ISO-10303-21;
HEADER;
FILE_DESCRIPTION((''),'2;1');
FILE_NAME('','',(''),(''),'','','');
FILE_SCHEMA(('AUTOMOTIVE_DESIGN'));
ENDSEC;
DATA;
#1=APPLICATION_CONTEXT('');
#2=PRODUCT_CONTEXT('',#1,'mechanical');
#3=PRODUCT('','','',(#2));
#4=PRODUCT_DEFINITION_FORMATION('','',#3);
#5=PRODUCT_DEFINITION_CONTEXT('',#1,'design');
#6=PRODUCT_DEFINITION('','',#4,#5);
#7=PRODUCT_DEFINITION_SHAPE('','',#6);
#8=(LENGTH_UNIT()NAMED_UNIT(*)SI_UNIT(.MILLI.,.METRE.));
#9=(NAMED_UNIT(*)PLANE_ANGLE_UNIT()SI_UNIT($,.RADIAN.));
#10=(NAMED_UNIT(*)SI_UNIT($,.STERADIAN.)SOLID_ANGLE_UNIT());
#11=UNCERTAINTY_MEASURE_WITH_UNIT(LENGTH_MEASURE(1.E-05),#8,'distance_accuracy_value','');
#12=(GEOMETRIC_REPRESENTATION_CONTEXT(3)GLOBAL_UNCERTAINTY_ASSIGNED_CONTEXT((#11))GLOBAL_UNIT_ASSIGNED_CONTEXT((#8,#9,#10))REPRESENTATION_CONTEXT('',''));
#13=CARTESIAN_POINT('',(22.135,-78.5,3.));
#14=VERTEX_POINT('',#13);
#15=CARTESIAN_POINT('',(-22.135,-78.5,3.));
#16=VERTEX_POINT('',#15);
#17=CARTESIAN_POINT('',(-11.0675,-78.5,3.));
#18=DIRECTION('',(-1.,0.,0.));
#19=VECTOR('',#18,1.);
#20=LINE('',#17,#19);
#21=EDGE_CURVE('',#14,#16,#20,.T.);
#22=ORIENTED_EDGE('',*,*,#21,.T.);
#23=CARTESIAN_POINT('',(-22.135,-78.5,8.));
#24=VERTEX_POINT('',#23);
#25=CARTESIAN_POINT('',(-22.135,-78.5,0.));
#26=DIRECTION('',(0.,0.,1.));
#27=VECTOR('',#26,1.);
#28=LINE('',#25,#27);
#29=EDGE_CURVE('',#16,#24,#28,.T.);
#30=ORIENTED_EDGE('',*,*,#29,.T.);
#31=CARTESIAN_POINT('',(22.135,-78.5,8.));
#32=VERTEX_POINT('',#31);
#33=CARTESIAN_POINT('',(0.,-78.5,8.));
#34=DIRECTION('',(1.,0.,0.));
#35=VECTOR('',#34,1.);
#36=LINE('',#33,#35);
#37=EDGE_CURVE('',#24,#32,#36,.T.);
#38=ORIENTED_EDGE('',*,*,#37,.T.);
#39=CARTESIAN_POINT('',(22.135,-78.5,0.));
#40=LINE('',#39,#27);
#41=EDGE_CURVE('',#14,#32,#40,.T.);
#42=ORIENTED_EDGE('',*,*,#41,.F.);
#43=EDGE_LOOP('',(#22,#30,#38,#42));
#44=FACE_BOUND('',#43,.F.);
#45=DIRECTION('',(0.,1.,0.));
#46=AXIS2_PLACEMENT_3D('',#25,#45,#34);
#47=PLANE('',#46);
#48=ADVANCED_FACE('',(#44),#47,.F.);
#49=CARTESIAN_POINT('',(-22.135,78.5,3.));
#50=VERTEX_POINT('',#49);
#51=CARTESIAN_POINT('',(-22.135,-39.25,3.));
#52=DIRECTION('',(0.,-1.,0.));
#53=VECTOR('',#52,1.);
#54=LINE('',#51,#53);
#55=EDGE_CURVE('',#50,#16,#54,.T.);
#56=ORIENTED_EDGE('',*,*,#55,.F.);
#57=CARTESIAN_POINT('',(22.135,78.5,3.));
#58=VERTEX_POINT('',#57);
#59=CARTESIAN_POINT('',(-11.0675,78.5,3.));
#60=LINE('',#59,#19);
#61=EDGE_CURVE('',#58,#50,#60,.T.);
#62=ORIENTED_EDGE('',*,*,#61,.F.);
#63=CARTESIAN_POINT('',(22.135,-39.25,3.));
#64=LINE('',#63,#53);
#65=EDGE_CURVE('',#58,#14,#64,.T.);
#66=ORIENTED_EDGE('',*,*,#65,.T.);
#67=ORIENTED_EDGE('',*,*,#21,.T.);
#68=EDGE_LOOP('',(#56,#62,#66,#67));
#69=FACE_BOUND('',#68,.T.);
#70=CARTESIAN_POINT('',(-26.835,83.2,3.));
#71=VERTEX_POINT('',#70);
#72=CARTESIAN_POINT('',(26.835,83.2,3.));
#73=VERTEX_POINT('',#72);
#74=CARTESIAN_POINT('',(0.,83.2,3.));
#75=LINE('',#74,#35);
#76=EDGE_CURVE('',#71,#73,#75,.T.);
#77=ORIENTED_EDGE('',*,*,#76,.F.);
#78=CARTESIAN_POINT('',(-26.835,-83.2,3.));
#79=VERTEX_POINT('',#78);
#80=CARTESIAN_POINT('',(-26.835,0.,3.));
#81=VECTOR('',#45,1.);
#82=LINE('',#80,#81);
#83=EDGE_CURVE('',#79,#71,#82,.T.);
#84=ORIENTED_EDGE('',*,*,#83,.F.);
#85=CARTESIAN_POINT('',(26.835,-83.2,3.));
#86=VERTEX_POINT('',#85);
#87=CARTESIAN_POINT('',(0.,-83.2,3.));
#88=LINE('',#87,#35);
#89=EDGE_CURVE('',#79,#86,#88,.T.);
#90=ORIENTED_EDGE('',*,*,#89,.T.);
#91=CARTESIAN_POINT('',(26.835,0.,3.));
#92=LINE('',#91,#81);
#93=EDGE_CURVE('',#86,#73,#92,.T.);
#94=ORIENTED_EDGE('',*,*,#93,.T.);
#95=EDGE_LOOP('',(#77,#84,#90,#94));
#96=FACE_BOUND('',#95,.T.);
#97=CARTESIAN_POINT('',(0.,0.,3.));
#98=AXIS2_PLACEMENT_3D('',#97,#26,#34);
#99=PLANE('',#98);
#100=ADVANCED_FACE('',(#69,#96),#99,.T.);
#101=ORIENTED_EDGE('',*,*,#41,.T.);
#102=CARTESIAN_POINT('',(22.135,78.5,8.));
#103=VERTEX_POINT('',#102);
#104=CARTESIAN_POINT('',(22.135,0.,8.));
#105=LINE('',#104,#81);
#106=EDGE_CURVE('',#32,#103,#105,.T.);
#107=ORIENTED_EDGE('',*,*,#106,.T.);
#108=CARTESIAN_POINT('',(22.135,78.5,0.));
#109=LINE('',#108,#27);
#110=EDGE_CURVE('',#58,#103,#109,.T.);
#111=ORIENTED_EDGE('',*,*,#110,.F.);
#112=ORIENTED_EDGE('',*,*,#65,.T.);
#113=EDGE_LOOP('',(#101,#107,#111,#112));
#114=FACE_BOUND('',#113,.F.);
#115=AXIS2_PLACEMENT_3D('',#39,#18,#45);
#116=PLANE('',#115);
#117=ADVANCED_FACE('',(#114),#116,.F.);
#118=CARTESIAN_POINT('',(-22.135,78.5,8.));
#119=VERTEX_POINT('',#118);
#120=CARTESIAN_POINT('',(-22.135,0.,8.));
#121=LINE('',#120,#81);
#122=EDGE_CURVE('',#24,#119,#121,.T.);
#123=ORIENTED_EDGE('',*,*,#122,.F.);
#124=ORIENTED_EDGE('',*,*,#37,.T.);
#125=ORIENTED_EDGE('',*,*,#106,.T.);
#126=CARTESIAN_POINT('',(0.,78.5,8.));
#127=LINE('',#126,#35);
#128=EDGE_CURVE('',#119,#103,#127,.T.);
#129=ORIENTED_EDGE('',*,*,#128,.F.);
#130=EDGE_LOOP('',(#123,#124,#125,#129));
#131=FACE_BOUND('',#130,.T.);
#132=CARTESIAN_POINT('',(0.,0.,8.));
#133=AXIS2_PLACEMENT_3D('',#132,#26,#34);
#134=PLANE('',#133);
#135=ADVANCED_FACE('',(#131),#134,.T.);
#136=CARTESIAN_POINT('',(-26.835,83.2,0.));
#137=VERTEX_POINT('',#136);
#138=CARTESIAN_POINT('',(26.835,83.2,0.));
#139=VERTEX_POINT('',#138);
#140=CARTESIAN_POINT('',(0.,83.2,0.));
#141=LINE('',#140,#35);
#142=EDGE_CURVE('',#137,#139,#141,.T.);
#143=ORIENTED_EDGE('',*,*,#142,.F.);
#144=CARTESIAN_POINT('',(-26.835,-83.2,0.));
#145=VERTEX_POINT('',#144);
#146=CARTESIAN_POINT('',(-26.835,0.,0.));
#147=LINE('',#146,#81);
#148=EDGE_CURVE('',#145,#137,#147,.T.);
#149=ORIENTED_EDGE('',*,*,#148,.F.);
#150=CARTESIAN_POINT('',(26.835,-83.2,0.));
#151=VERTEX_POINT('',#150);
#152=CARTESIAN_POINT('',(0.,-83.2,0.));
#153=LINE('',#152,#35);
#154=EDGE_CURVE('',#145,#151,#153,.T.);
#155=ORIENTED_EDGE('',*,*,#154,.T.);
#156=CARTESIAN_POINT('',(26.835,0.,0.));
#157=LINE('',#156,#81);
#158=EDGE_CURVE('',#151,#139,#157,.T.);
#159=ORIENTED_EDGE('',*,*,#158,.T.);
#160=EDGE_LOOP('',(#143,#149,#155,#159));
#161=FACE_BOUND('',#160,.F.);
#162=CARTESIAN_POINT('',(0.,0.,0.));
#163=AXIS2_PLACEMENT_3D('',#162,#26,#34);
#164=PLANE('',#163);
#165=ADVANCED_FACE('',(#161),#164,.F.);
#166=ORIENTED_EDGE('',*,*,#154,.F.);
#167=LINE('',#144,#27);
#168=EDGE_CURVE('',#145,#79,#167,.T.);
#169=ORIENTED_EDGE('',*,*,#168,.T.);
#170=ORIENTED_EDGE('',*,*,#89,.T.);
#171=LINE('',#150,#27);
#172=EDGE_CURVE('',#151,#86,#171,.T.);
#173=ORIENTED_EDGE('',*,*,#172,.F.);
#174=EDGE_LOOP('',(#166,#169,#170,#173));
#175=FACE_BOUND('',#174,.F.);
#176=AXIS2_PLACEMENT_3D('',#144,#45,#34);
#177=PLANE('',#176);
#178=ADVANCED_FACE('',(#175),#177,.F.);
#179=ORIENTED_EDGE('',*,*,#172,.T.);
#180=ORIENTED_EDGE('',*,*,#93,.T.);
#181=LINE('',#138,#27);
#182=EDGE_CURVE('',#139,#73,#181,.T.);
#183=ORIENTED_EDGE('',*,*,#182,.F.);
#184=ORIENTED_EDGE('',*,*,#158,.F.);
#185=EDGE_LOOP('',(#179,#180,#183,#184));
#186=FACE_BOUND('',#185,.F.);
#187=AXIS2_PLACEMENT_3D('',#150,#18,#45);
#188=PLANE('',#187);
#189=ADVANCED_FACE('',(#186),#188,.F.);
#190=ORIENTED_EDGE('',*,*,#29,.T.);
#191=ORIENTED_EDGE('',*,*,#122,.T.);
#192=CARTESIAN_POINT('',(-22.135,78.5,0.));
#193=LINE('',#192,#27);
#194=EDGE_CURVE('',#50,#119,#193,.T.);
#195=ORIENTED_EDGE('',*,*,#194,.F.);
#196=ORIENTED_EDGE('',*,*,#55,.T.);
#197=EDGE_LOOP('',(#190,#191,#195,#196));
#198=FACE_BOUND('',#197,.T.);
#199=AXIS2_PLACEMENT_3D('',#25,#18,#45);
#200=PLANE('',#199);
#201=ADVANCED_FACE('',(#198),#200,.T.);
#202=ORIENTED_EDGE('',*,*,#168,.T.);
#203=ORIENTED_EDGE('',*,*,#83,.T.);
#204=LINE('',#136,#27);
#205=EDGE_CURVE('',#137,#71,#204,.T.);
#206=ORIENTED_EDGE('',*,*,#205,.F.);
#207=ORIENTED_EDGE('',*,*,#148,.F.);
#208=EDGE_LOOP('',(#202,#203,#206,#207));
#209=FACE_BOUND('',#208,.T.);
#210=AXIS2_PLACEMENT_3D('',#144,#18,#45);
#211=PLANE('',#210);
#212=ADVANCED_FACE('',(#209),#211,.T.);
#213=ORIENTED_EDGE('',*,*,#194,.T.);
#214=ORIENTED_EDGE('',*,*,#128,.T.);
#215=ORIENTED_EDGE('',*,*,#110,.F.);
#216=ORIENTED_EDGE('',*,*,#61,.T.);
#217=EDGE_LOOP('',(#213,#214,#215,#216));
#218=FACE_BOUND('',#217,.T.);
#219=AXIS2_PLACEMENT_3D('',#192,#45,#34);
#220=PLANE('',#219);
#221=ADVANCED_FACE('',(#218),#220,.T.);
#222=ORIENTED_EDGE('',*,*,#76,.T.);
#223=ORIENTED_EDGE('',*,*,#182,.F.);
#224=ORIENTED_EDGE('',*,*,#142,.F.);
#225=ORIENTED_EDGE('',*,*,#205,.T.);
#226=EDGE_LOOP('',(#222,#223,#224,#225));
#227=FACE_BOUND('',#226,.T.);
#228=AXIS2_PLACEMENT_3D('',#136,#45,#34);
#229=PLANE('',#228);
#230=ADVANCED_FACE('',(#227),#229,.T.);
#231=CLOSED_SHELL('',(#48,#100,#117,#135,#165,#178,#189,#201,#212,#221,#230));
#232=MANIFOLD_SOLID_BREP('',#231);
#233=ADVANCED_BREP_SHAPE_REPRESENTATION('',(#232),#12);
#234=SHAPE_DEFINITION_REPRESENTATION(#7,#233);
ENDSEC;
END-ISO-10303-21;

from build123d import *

# Parameters (mm, degrees)
F0_W     = 53.67
F0_H     = 166.4
F0_W_2   = 44.27
F0_H_2   = 157
F1_DEPTH = 3
F2_DEPTH = 8


with BuildPart() as f1:
    # F0 (on Top) → F1 (new body)
    with BuildSketch(Plane.XY):
        Rectangle(F0_W, F0_H)
        Rectangle(F0_W_2, F0_H_2, mode=Mode.SUBTRACT)
        Rectangle(F0_W_2, F0_H_2)
    extrude(amount=F1_DEPTH)

    # F0 (on Top) → F2 (join)
    with BuildSketch(Plane.XY):
        Rectangle(F0_W_2, F0_H_2)
    extrude(amount=F2_DEPTH)


solid = f1.part
